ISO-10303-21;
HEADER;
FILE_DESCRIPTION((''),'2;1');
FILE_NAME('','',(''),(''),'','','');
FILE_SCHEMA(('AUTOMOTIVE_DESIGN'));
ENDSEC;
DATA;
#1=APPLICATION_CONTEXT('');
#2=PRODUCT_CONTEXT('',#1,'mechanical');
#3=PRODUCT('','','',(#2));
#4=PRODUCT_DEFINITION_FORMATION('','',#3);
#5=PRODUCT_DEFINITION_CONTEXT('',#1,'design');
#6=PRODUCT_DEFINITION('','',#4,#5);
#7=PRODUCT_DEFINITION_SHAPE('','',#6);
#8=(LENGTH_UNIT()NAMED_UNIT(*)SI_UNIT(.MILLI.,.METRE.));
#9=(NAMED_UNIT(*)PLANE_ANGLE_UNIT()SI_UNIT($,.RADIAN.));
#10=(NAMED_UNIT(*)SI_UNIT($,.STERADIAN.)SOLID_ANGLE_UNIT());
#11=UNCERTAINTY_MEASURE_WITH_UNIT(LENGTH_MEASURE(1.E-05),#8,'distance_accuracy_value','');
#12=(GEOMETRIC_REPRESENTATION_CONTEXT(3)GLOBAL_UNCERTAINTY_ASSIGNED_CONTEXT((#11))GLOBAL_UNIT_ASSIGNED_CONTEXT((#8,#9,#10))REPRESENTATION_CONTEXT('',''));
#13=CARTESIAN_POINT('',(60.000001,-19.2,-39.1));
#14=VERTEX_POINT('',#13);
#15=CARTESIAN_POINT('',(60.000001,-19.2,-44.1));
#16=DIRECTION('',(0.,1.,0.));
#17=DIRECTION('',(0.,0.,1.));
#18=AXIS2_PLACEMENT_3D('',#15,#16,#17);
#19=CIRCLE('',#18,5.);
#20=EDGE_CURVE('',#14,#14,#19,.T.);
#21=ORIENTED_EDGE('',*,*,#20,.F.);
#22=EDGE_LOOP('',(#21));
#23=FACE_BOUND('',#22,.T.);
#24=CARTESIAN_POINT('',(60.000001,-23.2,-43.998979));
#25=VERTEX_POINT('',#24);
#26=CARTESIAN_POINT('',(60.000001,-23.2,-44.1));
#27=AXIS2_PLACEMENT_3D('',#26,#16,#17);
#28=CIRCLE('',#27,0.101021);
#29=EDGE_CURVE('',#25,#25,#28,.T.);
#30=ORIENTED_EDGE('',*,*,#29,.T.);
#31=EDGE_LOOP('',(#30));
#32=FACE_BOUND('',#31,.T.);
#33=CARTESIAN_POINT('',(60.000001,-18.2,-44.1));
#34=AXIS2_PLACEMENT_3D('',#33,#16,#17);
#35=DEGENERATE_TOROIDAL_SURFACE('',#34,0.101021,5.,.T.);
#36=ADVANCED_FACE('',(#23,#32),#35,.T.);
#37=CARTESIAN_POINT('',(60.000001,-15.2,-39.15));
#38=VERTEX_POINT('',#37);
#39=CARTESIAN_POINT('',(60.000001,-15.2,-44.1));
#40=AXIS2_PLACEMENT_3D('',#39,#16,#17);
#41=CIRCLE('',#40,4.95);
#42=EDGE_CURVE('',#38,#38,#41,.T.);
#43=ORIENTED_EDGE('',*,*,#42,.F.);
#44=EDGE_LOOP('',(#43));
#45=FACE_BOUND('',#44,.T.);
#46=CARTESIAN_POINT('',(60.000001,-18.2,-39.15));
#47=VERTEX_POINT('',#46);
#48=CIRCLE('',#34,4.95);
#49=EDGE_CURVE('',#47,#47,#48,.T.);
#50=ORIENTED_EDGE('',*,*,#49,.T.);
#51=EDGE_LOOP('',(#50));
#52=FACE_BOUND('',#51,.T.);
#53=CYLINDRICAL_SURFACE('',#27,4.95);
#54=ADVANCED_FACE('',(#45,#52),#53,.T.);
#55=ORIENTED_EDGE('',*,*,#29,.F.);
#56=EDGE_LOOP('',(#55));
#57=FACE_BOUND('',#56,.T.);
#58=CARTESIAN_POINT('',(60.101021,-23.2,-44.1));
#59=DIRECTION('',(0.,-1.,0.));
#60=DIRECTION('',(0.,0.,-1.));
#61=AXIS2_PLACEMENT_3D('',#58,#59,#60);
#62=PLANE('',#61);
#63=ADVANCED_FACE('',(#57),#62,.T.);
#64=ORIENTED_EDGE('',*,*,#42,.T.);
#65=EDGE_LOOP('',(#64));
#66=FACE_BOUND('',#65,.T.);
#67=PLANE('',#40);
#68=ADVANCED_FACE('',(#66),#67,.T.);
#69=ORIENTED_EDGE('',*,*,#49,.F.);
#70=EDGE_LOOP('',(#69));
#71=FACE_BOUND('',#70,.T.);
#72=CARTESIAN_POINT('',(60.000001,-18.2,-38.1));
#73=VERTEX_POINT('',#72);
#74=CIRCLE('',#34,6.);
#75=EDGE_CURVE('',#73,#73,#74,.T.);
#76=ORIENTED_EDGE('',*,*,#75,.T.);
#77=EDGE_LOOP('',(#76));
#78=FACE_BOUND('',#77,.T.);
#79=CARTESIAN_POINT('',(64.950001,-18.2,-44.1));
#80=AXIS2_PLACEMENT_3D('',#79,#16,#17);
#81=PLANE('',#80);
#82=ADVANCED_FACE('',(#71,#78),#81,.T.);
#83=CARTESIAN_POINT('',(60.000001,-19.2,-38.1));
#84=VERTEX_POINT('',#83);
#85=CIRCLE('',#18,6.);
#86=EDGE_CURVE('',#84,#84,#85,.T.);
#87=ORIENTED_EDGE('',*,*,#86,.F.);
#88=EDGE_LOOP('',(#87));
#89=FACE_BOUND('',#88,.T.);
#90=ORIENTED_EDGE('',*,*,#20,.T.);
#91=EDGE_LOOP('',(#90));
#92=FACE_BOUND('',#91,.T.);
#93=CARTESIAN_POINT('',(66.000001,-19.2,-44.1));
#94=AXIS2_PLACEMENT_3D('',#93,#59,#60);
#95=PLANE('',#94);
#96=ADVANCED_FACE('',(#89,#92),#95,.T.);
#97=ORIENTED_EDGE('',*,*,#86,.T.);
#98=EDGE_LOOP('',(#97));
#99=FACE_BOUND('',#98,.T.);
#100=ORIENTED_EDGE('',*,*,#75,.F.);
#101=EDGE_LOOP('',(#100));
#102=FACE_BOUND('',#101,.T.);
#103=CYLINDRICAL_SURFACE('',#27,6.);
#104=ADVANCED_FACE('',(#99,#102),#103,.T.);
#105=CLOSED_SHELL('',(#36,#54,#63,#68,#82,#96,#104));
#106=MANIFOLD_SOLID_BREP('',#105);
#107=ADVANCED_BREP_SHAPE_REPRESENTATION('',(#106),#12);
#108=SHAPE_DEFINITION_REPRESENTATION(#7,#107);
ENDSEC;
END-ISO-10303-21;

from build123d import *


with BuildPart() as part:
    # Sketch1 → Revolve1 (revolve)
    with BuildSketch(Plane(origin=(0, 0, -44.1), x_dir=(-1, 0, 0), z_dir=(0, 0, -1)), mode=Mode.PRIVATE) as revolve1_sk:
        with BuildLine():
            Line((-60.101021409, -23.2), (-60.000000894, -23.2))
            Line((-60.000000894, -23.2), (-60.000000894, -15.2))
            Line((-60.000000894, -15.2), (-64.950000894, -15.2))
            Line((-64.950000894, -15.2), (-64.950000894, -18.2))
            Line((-64.950000894, -18.2), (-66.000000894, -18.2))
            Line((-66.000000894, -18.2), (-66.000000894, -19.2))
            Line((-66.000000894, -19.2), (-65.000000894, -19.2))
            ThreePointArc((-65.000000894, -19.2), (-63.263299069, -22.072983346), (-60.101021409, -23.2))
        make_face()
    revolve(revolve1_sk.sketch.rotate(Axis((60.000000894, -23.2, -44.1), (0, 1, 0)), 270), axis=Axis((60.000000894, -23.2, -44.1), (0, 1, 0)))


solid = part.part
